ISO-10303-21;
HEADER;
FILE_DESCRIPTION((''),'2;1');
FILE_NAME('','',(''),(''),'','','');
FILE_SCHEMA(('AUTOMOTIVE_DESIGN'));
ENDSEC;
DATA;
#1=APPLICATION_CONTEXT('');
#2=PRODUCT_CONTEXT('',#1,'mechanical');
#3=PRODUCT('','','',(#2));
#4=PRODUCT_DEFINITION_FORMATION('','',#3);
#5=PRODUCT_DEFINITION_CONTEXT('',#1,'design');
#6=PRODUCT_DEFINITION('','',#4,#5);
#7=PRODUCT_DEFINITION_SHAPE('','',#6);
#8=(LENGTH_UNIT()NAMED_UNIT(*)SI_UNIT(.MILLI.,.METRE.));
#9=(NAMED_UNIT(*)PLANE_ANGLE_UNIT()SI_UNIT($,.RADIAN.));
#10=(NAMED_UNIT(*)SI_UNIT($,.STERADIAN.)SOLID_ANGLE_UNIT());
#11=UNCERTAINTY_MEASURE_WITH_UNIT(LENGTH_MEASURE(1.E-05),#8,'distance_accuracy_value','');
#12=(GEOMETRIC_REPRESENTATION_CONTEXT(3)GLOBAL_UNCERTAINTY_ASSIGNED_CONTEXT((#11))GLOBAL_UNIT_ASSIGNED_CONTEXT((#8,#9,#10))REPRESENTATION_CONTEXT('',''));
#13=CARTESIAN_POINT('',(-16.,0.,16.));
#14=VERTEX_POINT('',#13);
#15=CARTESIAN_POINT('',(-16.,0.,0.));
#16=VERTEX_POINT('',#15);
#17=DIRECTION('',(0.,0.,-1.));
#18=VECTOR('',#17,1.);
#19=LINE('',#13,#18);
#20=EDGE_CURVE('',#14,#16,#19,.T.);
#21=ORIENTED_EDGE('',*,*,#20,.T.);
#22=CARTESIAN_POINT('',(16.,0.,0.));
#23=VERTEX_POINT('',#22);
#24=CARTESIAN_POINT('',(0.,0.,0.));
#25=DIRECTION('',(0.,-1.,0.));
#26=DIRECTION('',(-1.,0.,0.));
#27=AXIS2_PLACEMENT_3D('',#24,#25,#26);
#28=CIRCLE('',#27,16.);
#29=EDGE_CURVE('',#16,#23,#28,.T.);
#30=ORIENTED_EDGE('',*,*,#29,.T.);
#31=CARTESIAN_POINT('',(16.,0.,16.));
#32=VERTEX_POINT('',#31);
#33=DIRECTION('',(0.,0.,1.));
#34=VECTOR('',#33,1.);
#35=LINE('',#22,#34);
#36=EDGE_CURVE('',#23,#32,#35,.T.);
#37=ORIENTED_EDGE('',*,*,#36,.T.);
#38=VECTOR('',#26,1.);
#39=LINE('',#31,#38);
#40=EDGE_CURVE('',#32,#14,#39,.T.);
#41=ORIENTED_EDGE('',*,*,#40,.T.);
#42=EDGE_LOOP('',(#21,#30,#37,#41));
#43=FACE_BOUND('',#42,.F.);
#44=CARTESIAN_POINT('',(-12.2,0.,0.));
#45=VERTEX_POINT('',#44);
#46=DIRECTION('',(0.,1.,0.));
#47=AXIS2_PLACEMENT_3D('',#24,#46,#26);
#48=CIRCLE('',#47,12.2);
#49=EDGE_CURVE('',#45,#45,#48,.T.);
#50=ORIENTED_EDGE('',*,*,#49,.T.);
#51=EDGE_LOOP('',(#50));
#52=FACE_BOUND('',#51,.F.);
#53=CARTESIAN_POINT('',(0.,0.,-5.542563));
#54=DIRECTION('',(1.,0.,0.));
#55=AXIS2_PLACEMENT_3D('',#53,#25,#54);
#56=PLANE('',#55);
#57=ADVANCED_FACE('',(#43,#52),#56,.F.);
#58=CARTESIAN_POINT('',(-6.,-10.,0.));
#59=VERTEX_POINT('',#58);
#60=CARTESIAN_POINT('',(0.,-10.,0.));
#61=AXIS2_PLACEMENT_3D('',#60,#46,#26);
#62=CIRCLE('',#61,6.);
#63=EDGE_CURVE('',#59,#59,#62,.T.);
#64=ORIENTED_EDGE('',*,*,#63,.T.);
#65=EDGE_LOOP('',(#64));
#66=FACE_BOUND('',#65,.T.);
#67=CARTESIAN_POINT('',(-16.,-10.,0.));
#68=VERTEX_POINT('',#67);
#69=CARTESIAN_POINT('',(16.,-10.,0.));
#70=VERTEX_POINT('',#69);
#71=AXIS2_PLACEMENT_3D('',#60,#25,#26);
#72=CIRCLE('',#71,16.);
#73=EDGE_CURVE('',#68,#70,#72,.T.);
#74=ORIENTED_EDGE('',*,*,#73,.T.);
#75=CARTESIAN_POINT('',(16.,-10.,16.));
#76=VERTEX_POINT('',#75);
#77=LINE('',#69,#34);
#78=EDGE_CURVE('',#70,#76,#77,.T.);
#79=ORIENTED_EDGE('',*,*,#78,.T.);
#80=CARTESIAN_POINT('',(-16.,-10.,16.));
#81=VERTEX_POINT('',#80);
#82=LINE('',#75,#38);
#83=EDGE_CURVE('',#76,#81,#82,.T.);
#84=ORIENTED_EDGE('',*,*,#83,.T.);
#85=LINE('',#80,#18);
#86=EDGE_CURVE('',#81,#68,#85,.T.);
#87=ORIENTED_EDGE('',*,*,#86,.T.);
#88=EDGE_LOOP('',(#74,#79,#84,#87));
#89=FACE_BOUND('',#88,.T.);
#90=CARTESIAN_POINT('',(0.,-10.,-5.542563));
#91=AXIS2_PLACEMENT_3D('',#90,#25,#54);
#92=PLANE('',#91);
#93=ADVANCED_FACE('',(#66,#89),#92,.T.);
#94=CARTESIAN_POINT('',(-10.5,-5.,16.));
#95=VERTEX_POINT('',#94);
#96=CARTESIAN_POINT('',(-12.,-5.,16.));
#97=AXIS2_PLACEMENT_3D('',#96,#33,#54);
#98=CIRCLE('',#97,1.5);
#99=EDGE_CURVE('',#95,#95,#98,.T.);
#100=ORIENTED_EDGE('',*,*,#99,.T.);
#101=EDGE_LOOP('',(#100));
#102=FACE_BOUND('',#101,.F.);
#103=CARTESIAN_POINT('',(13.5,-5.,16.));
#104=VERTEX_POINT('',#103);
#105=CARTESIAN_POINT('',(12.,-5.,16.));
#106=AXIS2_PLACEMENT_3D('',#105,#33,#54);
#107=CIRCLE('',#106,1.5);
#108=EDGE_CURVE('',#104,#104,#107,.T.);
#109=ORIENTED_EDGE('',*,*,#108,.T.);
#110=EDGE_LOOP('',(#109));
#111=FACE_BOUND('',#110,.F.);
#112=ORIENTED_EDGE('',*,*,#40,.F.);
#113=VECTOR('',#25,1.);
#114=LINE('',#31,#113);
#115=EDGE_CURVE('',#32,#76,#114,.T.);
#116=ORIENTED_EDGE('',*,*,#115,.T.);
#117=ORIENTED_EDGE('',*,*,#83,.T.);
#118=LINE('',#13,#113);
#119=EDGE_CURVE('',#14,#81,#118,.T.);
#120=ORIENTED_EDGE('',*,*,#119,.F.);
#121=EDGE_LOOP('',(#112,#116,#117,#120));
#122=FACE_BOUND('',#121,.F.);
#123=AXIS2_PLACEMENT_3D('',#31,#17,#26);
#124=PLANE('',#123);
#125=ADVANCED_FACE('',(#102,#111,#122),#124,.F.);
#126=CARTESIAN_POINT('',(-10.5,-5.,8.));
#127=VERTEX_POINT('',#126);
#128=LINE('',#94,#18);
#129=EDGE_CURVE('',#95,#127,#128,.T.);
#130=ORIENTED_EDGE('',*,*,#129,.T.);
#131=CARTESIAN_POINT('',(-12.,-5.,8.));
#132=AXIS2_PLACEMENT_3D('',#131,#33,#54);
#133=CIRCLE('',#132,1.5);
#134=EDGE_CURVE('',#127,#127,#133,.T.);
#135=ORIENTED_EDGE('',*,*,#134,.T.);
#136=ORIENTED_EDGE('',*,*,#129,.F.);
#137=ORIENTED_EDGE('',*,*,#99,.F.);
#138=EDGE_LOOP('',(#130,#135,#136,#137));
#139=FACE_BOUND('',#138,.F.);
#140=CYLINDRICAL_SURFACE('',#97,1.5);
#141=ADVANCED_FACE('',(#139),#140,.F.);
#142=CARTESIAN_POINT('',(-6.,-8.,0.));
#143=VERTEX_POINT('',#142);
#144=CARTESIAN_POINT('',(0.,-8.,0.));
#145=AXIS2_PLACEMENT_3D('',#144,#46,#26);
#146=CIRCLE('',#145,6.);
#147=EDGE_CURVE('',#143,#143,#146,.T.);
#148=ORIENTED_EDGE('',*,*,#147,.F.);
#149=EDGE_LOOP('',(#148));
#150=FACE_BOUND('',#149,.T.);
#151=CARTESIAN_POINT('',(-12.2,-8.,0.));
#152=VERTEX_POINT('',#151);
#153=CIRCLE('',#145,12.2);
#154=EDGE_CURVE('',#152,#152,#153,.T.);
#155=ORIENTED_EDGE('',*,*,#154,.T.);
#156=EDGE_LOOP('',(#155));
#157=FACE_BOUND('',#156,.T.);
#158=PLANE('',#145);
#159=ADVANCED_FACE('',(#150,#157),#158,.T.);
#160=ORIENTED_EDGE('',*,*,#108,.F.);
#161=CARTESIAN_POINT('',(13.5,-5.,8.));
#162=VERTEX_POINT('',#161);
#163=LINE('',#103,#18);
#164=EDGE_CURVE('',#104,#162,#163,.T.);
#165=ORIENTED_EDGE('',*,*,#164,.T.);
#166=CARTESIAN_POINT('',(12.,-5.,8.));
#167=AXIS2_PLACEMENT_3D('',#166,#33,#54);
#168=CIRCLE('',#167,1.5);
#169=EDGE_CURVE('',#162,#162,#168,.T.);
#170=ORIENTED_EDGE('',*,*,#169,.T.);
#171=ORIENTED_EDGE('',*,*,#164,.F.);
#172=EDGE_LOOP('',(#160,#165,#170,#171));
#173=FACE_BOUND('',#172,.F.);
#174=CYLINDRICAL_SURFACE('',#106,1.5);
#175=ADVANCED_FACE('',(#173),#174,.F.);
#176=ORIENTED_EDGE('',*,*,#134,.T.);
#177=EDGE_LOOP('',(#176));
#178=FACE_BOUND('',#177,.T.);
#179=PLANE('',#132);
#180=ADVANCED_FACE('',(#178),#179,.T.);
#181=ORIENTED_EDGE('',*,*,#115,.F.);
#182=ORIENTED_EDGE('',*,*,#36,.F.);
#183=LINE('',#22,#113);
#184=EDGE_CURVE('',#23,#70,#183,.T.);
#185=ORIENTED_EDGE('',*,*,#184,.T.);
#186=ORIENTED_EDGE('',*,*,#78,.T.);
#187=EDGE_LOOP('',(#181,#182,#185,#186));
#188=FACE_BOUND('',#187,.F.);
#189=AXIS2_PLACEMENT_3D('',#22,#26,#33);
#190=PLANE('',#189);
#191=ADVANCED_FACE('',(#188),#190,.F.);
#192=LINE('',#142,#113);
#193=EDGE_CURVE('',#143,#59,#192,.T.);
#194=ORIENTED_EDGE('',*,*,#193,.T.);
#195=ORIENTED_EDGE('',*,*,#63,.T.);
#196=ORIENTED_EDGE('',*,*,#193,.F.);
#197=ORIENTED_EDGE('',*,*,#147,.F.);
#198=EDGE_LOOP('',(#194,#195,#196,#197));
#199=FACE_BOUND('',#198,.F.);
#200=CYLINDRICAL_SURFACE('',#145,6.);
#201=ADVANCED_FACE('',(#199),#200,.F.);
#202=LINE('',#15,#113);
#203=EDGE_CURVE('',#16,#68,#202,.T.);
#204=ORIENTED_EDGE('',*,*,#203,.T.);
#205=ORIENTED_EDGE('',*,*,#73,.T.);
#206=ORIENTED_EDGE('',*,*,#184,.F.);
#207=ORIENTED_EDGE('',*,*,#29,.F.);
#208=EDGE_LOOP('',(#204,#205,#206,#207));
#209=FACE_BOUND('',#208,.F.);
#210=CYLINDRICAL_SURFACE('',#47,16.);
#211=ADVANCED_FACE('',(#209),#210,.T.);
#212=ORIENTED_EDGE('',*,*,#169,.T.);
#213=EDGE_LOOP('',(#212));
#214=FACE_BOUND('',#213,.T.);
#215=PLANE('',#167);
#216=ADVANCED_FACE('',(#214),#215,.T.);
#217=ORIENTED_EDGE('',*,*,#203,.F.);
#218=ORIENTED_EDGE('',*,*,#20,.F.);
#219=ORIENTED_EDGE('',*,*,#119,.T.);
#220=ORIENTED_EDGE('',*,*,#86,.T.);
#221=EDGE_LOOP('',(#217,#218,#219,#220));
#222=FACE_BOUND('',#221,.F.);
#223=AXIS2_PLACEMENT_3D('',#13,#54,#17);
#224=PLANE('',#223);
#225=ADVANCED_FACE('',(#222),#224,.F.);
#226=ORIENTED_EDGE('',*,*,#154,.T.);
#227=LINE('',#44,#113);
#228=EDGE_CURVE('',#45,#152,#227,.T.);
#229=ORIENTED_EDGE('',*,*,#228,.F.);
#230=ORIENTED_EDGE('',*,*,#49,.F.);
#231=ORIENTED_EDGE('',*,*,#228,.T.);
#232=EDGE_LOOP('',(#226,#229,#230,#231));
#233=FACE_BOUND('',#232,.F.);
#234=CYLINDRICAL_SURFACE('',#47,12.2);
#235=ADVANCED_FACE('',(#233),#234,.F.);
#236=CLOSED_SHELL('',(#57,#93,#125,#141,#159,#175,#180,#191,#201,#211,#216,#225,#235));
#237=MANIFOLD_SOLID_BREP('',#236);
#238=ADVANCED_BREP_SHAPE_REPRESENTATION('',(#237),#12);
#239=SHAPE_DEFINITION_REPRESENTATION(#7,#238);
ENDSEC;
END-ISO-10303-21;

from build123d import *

# Parameters (mm, degrees)
F1_DEPTH = 10
F2_R     = 12.2
F3_DEPTH = 8
F4_R     = 6
F5_DEPTH = 25
F6_R     = 1.5
F7_DEPTH = 8


with BuildPart() as f1:
    # F0 (on Front) → F1 (new body)
    with BuildSketch(Plane.XZ):
        with BuildLine():
            Line((16, 0), (-16, 0))
            ThreePointArc((-16, 0), (0, -16), (16, 0))
        make_face()
        with BuildLine():
            Line((-16, 16), (-16, 0))
            ThreePointArc((-16, 0), (-11.3137085183, 11.3137084797), (-5.46e-08, 16))
            Line((-5.46e-08, 16), (-16, 16))
        make_face()
        with BuildLine():
            ThreePointArc((-5.46e-08, 16), (-11.3137085183, 11.3137084797), (-16, 0))
            Line((-16, 0), (16, 0))
            ThreePointArc((16, 0), (11.3137084797, 11.3137085183), (-5.46e-08, 16))
        make_face()
        with BuildLine():
            ThreePointArc((-5.46e-08, 16), (11.3137084797, 11.3137085183), (16, 0))
            Line((16, 0), (16, 16))
            Line((16, 16), (-5.46e-08, 16))
        make_face()
    extrude(amount=F1_DEPTH)

    # F2 (on face) → F3 (cut)
    with BuildSketch(Plane(origin=(0, 0, 0), x_dir=(-1, 0, 0), z_dir=(0, 1, 0))):
        Circle(F2_R)
    extrude(amount=-F3_DEPTH, mode=Mode.SUBTRACT)

    # F4 (on face) → F5 (cut)
    with BuildSketch(Plane(origin=(0, -8, 0), x_dir=(-1, 0, 0), z_dir=(0, 1, 0))):
        Circle(F4_R)
    extrude(amount=-F5_DEPTH, mode=Mode.SUBTRACT)

    # F6 (on face) → F7 (cut)
    with BuildSketch(Plane.XY.offset(16)):
        with Locations((-12, -5)):
            Circle(F6_R)
        with Locations((12, -5)):
            Circle(F6_R)
    extrude(amount=-F7_DEPTH, mode=Mode.SUBTRACT)


solid = f1.part
